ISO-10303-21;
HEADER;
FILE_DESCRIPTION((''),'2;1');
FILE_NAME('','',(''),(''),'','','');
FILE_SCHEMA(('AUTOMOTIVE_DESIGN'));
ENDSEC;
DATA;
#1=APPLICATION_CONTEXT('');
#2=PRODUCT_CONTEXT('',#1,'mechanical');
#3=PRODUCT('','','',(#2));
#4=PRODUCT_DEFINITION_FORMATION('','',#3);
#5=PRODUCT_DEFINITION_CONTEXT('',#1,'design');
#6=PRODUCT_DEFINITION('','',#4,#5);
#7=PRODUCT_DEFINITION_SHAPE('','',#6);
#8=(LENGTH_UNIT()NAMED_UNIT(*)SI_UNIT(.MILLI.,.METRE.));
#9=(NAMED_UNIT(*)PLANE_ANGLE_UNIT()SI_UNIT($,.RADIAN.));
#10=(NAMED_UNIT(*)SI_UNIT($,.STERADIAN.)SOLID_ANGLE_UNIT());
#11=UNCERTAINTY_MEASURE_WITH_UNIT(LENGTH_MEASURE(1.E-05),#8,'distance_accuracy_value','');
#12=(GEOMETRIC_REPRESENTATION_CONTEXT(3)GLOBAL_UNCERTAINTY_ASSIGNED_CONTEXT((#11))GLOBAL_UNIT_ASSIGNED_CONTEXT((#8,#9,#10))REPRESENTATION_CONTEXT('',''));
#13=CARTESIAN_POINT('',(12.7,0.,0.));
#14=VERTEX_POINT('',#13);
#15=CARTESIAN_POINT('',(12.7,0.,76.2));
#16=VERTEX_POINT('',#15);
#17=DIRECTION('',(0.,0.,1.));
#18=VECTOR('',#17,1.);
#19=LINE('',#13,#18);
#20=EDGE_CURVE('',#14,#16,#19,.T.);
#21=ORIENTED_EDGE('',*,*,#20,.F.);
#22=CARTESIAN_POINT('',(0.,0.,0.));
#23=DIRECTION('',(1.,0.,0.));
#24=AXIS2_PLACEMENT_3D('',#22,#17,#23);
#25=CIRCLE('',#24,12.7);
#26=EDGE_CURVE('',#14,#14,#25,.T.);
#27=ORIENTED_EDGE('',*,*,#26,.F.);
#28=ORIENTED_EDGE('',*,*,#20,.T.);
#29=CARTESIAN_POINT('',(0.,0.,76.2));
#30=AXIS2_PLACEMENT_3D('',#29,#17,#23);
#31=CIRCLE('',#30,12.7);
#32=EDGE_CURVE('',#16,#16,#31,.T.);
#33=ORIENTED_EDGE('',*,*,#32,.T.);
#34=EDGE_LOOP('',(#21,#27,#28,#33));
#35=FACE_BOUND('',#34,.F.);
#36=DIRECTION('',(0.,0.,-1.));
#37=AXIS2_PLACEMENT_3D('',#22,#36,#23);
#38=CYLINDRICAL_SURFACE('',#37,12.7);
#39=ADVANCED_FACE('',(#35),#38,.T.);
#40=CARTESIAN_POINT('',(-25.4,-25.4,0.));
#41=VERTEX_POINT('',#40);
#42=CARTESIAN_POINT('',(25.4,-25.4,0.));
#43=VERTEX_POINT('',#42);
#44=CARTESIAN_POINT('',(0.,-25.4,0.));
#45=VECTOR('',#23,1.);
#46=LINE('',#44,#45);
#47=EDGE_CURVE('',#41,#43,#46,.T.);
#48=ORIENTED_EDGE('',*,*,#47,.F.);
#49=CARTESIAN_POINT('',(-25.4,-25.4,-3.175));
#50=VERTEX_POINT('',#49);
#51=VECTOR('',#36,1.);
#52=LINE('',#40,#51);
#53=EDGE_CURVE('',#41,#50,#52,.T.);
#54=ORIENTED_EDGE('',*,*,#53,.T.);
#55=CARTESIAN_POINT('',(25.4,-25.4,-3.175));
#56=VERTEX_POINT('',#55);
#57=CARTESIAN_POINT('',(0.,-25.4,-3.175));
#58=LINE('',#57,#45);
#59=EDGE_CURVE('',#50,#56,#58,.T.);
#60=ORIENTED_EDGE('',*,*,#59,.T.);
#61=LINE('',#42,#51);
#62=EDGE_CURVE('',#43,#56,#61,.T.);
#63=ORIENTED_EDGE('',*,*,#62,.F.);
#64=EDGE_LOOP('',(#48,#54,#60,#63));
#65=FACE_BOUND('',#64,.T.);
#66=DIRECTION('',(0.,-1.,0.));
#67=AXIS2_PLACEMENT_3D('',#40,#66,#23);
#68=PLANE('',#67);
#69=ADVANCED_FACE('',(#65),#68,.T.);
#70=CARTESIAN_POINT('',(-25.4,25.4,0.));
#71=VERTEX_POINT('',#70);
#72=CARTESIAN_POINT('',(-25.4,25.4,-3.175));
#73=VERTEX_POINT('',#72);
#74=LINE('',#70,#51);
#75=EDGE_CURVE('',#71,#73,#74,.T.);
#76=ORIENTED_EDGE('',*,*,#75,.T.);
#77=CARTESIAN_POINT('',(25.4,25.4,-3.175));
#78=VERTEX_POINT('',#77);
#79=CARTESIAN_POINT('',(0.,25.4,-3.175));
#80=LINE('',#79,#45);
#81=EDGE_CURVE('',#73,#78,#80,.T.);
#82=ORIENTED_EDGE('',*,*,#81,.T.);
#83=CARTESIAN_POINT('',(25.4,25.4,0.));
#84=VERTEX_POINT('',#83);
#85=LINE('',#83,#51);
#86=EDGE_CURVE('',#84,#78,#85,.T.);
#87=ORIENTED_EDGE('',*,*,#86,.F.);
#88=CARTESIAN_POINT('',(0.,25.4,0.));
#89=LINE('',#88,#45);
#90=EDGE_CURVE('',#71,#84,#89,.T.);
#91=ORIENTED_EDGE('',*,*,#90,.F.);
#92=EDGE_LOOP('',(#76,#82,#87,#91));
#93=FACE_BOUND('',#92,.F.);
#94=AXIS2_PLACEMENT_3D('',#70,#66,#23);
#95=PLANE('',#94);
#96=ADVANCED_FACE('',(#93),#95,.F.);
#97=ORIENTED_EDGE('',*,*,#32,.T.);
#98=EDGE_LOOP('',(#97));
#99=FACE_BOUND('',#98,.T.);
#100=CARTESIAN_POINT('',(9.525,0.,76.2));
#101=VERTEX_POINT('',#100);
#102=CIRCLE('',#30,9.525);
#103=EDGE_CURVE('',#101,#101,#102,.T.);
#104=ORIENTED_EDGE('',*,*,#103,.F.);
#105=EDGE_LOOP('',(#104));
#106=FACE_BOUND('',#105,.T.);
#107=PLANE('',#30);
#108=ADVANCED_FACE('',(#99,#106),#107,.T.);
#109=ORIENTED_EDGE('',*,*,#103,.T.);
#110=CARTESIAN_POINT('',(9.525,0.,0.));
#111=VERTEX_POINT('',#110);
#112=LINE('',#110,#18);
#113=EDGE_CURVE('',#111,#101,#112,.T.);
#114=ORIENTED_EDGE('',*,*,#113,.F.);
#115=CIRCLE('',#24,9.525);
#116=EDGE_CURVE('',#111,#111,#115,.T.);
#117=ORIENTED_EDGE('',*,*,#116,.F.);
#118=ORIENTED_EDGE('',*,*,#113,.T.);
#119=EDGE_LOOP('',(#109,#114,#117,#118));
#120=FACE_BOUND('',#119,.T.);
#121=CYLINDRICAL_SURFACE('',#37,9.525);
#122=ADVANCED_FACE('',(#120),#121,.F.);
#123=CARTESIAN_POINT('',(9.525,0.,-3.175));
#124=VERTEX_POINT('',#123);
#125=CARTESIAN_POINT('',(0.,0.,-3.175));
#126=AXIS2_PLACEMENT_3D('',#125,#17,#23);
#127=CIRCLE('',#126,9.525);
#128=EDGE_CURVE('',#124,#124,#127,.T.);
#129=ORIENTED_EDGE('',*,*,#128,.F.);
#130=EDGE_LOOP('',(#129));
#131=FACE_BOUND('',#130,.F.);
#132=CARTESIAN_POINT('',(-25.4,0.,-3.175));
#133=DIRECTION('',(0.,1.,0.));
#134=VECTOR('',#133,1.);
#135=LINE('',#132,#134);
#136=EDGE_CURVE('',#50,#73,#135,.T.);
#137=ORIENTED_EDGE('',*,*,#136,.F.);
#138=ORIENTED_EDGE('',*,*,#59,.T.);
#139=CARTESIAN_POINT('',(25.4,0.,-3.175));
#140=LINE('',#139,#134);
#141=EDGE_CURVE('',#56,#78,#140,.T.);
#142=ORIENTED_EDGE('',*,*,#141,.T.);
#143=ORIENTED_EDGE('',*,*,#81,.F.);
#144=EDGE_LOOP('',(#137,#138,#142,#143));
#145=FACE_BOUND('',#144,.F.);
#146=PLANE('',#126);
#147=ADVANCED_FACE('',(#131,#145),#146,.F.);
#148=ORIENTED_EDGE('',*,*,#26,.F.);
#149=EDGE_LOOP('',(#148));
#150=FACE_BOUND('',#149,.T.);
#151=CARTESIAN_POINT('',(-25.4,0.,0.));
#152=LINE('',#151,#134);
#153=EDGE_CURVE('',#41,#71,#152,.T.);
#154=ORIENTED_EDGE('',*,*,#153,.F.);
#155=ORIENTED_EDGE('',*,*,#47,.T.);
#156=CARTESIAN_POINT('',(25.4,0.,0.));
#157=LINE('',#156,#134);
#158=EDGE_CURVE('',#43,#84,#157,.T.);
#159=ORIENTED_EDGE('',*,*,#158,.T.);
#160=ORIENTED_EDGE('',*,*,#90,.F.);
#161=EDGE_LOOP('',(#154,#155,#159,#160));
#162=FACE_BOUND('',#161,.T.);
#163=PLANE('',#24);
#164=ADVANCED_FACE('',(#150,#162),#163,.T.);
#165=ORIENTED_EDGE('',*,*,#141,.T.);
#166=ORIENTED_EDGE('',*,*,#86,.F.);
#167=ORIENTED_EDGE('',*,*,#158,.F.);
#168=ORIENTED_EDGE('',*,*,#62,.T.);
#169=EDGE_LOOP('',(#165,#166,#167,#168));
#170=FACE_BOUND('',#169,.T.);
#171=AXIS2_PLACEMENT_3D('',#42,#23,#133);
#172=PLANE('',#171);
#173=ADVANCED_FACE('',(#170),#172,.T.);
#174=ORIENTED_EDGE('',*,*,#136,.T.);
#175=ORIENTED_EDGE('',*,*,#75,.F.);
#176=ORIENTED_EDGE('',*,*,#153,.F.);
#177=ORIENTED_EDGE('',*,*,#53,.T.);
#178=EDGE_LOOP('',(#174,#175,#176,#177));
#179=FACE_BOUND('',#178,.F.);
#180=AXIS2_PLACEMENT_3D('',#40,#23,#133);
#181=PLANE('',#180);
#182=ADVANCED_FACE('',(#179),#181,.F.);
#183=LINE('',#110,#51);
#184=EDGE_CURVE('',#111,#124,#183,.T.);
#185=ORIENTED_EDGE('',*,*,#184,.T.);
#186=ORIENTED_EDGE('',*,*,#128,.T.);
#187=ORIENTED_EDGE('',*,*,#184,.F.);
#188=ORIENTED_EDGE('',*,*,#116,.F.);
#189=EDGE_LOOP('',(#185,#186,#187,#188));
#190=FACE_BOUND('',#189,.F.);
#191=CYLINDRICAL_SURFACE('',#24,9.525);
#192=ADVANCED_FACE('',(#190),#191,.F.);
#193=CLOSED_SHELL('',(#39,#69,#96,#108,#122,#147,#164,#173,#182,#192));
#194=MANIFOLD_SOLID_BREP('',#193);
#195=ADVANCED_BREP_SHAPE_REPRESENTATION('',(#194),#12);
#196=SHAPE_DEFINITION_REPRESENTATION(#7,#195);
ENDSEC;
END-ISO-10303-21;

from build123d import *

# Parameters (mm, degrees)
F0_R     = 12.7
F0_R_2   = 9.525
F1_DEPTH = 76.2
F2_W     = 50.8
F2_H     = 50.8
F2_R     = 9.525
F3_DEPTH = 3.175


with BuildPart() as f1:
    # F0 (on Top) → F1 (new body)
    with BuildSketch(Plane.XY):
        Circle(F0_R)
        Circle(F0_R_2, mode=Mode.SUBTRACT)
    extrude(amount=F1_DEPTH)

    # F2 (on Top) → F3 (join)
    with BuildSketch(Plane.XY):
        Rectangle(F2_W, F2_H)
        Circle(F2_R, mode=Mode.SUBTRACT)
    extrude(amount=-F3_DEPTH)


solid = f1.part
